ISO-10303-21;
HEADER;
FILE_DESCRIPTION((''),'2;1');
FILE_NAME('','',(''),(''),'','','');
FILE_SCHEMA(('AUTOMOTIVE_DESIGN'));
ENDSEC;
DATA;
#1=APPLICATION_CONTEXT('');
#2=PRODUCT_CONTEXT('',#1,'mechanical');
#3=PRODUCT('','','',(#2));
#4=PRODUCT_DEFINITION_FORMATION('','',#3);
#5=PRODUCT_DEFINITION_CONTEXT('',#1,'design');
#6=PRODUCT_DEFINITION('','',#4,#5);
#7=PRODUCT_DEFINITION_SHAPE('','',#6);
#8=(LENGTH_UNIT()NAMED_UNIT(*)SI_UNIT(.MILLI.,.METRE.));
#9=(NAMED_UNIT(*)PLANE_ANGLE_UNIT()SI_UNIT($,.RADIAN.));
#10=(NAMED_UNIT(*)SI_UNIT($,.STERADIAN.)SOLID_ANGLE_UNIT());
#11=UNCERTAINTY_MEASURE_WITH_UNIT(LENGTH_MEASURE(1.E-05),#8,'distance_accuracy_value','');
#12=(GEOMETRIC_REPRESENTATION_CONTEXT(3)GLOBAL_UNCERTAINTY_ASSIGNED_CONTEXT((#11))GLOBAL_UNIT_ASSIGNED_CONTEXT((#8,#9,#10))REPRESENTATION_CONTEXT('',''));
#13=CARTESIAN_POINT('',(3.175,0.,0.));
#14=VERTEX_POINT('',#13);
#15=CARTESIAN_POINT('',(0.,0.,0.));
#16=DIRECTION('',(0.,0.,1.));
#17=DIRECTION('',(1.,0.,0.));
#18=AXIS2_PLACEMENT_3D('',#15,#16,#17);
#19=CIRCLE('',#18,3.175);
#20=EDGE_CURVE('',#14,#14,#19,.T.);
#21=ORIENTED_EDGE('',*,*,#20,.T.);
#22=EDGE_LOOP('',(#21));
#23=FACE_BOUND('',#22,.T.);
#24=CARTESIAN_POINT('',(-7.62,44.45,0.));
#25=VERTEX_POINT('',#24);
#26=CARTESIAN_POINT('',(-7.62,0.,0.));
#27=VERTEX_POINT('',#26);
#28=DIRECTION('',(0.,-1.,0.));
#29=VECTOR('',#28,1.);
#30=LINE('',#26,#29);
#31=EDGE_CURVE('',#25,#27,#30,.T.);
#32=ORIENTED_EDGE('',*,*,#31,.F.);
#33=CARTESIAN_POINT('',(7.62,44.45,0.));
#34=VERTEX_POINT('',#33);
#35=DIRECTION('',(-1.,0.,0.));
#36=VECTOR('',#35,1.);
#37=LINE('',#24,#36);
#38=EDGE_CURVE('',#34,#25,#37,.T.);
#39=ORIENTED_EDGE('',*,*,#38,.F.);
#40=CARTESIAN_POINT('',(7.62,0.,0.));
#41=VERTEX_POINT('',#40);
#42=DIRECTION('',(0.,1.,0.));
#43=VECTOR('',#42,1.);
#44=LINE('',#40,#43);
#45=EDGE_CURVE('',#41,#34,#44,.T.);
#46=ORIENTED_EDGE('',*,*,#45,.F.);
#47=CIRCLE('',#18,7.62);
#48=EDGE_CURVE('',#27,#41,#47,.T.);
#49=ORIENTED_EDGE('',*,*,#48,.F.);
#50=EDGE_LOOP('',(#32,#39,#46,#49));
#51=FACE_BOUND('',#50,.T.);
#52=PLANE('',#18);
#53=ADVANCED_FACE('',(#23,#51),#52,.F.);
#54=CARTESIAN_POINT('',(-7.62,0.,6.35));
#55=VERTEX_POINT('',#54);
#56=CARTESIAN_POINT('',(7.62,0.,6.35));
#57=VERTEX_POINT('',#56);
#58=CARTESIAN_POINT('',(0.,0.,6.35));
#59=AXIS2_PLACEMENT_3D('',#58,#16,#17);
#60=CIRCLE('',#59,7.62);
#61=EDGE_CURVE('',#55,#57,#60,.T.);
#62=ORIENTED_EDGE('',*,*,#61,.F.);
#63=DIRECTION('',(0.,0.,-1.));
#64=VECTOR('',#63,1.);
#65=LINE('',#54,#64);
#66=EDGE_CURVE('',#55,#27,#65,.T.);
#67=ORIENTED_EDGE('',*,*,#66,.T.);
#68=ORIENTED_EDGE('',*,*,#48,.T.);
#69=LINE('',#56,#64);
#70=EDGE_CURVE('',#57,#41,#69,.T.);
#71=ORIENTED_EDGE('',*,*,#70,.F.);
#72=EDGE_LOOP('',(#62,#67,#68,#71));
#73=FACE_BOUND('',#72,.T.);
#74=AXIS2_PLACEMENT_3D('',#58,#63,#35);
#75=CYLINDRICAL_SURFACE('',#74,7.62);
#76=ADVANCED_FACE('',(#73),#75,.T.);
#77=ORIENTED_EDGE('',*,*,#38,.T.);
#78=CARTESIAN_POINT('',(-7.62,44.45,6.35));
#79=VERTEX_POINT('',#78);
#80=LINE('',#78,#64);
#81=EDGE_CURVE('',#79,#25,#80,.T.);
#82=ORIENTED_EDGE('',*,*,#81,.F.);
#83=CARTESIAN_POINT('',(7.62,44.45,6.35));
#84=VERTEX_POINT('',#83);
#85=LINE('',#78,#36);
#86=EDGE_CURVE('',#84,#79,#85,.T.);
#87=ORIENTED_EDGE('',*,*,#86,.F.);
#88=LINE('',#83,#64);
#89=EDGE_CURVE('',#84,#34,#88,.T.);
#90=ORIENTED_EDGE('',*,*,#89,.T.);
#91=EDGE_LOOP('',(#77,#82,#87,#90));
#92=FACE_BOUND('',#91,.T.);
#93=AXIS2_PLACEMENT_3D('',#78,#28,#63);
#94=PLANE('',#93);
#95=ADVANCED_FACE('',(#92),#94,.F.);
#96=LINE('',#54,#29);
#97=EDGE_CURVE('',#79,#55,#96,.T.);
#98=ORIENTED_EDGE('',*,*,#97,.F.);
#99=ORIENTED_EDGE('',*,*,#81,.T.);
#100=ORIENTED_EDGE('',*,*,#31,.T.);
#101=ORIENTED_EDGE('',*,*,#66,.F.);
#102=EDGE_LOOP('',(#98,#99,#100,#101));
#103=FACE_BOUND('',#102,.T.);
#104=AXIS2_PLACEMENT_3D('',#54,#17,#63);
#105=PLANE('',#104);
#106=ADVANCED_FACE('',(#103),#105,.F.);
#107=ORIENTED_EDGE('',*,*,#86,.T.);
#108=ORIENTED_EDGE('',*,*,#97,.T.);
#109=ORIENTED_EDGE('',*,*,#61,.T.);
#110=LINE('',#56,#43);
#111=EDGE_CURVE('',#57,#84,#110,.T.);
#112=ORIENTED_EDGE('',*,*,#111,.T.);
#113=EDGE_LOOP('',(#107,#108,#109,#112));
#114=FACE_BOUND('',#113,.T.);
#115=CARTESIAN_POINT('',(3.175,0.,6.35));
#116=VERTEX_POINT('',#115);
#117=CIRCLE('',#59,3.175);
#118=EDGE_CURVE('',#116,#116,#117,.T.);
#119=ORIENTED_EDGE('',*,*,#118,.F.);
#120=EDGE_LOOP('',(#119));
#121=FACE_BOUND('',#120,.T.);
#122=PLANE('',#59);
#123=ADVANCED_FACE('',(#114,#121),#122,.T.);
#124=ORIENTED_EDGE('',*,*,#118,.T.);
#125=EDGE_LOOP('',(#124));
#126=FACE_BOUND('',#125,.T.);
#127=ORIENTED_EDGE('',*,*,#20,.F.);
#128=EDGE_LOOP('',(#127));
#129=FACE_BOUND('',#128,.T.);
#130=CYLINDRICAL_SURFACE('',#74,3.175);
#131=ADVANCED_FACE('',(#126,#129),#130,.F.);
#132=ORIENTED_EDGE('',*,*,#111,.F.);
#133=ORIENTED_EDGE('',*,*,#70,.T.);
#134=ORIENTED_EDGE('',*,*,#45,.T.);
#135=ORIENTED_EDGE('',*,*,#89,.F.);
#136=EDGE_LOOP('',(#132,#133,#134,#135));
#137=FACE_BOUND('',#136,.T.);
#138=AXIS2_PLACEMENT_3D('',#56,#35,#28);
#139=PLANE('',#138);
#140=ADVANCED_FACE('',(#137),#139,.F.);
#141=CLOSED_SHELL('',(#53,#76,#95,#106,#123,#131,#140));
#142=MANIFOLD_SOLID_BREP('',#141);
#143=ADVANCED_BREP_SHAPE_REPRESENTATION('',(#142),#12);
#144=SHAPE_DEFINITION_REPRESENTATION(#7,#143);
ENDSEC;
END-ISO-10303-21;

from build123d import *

# Parameters (mm, degrees)
SKETCH1_R           = 3.175
BOSS_EXTRUDE1_DEPTH = 6.35


with BuildPart() as part:
    # Sketch1 → Boss-Extrude1 (new body)
    with BuildSketch(Plane.XY):
        with BuildLine():
            Line((-7.62, 0), (-7.62, 44.45))
            Line((-7.62, 44.45), (7.62, 44.45))
            Line((7.62, 44.45), (7.62, 0))
            ThreePointArc((7.62, 0), (0, -7.62), (-7.62, 0))
        make_face()
        Circle(SKETCH1_R, mode=Mode.SUBTRACT)
    extrude(amount=BOSS_EXTRUDE1_DEPTH)


solid = part.part
